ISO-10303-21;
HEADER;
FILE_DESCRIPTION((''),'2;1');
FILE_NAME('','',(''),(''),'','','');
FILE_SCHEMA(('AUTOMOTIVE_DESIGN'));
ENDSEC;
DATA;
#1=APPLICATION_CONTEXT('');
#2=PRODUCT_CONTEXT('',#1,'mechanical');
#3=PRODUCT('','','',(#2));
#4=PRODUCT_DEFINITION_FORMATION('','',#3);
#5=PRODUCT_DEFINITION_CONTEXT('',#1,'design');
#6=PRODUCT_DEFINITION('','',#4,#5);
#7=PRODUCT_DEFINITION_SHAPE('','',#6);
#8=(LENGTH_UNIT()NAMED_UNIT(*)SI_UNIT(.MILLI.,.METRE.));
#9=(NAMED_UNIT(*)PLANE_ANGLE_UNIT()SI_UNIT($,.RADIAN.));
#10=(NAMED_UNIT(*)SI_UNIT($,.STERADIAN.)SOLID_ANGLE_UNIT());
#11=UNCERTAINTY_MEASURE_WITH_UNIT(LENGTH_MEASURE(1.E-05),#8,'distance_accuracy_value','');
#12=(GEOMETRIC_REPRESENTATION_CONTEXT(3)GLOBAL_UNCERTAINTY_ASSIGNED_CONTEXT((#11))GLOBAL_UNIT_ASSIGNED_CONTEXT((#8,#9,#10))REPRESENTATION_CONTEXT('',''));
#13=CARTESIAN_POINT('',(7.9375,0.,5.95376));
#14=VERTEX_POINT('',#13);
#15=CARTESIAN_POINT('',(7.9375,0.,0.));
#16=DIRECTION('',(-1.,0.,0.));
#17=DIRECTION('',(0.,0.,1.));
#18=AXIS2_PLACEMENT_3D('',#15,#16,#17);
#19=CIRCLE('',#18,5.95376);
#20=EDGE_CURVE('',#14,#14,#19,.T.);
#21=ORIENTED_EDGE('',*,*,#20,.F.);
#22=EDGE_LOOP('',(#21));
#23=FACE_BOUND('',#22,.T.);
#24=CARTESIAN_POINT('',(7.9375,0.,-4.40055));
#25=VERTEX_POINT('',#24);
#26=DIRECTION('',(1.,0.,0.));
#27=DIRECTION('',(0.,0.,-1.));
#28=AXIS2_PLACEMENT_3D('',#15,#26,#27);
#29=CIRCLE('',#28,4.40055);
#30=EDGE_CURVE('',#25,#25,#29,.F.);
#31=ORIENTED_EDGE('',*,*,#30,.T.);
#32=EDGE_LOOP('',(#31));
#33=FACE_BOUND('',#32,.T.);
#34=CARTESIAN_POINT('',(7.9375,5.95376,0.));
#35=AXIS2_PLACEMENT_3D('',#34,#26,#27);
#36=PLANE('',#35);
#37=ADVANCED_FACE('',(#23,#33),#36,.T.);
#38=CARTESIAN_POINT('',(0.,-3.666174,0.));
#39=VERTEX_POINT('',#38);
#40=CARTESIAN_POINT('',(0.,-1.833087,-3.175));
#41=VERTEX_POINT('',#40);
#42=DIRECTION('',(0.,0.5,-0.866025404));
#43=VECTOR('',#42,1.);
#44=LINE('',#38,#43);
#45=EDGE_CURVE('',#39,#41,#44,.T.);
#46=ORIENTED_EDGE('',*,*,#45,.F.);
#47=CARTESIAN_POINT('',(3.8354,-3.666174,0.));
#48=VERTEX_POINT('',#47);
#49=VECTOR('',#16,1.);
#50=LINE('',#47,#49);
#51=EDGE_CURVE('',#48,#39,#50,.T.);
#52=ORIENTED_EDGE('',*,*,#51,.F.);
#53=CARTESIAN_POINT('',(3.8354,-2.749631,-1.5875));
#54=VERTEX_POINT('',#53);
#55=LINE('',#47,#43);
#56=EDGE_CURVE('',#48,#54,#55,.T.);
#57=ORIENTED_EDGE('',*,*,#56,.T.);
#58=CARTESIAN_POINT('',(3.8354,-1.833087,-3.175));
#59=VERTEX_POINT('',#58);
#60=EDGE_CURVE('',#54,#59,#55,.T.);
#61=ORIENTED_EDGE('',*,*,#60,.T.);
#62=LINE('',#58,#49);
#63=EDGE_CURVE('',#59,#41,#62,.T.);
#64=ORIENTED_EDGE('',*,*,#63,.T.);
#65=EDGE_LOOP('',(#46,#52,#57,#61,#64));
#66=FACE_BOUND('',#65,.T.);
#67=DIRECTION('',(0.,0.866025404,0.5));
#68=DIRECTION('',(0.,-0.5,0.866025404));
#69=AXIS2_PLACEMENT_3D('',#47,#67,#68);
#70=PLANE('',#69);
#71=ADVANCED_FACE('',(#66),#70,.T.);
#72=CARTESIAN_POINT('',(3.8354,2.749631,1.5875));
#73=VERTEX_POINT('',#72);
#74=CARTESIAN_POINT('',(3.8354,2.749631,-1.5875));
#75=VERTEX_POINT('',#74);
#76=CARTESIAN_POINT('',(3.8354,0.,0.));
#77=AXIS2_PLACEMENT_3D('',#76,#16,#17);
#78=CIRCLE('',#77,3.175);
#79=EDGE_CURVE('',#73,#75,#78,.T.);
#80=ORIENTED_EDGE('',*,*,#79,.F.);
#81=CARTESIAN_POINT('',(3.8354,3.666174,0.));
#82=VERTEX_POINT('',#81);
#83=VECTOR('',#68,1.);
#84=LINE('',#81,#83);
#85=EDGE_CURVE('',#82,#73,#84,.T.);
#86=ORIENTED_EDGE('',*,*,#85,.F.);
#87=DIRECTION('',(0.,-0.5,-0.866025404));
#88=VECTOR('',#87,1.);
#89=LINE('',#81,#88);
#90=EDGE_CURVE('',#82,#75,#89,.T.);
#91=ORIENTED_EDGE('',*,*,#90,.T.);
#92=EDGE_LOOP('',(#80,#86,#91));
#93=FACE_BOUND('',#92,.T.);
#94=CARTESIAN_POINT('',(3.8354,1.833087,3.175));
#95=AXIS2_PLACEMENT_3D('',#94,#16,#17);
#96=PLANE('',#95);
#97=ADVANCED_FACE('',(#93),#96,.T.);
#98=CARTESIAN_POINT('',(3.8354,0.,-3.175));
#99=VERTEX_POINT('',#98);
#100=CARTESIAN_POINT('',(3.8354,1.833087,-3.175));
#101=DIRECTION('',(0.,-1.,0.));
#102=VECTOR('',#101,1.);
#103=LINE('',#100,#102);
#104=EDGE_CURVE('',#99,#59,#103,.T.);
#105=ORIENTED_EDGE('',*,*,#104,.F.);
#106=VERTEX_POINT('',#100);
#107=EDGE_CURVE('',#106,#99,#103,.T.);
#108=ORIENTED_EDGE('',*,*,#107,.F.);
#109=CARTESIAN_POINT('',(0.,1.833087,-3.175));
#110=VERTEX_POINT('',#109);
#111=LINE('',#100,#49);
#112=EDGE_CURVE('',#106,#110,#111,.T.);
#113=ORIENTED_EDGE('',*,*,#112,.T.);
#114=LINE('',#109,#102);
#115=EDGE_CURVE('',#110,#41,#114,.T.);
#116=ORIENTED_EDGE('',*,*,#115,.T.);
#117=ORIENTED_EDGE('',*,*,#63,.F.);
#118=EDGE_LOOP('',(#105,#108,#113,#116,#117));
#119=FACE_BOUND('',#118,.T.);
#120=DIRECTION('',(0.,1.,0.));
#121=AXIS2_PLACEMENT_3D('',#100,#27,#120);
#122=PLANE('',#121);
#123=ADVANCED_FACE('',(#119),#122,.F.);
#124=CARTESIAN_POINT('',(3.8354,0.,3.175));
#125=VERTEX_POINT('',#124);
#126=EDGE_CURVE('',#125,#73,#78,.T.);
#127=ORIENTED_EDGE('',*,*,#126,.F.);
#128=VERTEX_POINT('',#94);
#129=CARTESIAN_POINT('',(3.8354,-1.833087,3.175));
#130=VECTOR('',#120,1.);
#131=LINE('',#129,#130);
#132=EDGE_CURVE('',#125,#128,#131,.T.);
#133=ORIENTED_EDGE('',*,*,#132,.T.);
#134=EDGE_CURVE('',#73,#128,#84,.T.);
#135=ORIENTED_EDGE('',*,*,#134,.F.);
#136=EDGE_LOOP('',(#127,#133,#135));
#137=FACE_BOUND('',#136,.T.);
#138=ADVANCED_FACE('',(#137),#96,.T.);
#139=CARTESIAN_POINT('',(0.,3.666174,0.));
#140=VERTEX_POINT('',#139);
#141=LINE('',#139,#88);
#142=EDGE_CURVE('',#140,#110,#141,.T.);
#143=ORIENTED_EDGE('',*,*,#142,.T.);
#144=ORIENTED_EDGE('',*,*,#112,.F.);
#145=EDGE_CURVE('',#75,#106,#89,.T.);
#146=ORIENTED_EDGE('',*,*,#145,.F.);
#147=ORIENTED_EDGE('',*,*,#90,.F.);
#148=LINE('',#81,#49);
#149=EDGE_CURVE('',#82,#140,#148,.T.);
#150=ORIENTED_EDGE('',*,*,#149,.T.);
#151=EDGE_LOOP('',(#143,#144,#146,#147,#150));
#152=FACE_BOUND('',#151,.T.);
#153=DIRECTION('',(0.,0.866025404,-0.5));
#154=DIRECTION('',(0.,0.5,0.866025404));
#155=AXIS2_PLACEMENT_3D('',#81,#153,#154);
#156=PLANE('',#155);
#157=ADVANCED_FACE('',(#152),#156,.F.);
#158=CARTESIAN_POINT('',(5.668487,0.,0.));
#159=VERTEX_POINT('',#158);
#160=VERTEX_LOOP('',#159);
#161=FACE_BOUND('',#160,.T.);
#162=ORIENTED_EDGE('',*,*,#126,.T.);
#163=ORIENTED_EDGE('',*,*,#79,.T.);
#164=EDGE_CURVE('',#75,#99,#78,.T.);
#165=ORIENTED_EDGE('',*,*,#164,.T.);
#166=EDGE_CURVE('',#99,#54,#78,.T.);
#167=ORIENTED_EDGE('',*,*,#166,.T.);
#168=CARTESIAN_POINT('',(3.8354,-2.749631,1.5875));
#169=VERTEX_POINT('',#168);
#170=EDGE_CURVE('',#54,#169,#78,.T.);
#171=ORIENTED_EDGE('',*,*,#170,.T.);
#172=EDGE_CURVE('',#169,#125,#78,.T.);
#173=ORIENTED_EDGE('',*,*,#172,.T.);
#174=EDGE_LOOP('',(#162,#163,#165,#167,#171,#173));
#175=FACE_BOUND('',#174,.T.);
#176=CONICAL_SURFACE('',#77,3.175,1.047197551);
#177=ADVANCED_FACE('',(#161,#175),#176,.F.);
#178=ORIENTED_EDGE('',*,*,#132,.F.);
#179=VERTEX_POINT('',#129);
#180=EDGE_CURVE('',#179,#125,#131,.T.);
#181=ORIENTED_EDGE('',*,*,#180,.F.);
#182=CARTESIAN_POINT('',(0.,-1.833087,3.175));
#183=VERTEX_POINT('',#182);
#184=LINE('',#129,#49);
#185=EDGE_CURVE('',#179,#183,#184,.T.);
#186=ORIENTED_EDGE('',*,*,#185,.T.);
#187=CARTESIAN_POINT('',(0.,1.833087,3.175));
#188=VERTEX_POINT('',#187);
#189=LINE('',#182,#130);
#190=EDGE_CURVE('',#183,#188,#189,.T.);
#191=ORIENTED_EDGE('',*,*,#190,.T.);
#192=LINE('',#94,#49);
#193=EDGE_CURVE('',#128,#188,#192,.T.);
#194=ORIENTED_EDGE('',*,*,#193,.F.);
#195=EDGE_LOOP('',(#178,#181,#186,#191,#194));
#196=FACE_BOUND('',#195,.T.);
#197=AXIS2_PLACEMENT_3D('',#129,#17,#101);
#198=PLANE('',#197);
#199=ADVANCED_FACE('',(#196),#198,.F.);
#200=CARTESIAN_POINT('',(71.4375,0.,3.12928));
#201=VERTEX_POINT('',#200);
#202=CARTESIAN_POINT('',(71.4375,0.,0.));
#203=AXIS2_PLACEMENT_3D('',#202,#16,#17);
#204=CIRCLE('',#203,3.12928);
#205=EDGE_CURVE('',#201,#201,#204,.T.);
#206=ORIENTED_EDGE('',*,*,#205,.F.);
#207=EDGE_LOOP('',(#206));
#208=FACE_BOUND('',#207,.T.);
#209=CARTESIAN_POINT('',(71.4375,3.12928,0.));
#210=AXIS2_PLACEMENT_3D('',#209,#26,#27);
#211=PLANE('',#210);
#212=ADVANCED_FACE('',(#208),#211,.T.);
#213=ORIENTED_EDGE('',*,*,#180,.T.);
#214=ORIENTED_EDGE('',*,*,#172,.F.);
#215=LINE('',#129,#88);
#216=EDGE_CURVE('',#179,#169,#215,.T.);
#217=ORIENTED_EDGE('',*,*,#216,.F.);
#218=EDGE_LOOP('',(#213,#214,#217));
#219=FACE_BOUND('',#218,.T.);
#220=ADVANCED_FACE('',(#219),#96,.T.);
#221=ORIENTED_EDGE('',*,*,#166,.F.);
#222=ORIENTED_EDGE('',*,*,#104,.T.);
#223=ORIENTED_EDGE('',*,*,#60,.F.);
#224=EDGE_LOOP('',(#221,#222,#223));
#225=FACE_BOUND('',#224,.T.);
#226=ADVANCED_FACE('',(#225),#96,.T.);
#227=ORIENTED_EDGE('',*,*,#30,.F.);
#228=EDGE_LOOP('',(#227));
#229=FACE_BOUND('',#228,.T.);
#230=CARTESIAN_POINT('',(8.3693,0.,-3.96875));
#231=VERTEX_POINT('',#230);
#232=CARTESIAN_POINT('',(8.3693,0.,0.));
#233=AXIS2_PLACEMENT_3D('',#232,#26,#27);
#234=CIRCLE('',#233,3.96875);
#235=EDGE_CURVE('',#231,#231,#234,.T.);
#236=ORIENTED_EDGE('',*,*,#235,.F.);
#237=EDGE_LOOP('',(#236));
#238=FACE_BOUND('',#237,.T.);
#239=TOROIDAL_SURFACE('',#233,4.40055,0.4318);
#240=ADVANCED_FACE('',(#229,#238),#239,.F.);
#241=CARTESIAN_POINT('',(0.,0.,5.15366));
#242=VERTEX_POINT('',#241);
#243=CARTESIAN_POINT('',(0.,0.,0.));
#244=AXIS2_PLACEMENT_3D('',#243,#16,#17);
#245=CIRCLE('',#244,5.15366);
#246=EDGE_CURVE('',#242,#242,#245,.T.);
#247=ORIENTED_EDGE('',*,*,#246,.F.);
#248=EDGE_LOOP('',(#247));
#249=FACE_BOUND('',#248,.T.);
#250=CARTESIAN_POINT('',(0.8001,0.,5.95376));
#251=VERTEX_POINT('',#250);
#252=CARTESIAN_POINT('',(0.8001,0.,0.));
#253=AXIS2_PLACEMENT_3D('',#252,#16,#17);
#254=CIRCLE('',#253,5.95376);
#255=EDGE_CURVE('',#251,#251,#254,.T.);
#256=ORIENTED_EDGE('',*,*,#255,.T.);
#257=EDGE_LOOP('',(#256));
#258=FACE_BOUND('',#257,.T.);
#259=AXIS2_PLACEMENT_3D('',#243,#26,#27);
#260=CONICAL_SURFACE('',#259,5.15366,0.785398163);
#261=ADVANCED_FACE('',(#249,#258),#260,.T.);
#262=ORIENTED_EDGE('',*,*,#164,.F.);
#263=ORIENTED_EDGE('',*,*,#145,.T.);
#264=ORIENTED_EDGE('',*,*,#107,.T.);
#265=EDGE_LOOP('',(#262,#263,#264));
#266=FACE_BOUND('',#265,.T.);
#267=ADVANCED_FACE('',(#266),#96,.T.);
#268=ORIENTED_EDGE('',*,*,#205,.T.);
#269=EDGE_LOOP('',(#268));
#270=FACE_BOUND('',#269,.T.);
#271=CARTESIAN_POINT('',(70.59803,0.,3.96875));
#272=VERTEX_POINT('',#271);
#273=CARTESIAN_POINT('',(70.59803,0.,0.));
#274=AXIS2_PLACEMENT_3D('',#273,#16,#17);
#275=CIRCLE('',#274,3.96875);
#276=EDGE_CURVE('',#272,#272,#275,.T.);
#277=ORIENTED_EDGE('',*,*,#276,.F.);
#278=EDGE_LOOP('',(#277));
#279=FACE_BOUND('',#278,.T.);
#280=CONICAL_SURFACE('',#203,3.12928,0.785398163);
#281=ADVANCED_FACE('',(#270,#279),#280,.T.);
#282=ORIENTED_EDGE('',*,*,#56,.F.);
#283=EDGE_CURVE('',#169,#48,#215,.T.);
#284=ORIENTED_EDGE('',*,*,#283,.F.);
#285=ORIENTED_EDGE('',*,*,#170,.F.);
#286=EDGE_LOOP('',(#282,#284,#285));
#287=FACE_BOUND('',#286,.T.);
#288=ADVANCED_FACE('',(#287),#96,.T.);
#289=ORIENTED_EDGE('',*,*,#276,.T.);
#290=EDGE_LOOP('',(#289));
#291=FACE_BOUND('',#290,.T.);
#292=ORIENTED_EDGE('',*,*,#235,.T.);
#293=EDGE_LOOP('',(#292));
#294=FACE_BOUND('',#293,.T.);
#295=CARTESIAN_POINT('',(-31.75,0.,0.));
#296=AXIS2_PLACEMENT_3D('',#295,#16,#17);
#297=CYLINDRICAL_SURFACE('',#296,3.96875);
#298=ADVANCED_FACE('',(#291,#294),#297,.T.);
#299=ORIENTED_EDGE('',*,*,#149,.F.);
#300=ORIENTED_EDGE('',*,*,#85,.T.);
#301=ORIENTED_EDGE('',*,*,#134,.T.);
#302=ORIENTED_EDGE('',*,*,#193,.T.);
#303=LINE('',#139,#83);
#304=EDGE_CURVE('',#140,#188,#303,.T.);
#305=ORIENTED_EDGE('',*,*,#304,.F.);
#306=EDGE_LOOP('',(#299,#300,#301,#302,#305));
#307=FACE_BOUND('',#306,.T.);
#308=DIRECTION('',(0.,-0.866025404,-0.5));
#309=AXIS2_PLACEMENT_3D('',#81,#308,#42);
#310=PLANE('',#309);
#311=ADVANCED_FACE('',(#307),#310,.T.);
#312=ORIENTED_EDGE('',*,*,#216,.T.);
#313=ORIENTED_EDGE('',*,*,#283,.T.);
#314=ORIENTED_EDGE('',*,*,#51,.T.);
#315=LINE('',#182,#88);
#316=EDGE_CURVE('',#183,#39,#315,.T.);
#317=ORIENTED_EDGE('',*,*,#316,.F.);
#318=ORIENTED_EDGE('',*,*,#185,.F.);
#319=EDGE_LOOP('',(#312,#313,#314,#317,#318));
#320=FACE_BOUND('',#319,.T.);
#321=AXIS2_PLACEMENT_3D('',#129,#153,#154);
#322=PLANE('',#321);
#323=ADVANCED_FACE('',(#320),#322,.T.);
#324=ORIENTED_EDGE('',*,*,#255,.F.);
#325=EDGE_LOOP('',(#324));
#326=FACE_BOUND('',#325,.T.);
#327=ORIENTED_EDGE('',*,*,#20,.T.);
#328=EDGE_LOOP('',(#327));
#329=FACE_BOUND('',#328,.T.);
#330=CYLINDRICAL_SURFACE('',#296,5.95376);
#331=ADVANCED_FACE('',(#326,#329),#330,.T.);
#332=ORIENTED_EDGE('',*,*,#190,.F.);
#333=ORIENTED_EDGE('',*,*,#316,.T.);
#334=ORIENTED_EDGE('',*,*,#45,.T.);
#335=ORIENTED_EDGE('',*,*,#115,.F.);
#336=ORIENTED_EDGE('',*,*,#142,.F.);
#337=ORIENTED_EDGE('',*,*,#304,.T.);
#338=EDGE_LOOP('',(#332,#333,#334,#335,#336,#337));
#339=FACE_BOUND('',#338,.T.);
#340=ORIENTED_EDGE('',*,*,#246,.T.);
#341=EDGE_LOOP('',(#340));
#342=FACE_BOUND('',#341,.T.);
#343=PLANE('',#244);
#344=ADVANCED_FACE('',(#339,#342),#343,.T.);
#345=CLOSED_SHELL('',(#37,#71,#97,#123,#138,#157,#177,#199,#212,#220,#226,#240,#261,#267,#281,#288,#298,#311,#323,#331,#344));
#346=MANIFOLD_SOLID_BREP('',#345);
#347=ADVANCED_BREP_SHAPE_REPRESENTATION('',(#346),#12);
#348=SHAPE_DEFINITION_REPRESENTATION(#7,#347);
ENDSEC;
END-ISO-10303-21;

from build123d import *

# Parameters (mm, degrees)
FILLET1_R   = 0.4318
HEX_2_DEPTH = 3.8354


with BuildPart() as part:
    # BodySke → Base-Revolve (revolve)
    with BuildSketch(Plane.XY, mode=Mode.PRIVATE) as base_revolve_sk:
        Polygon((0, 0), (0, 5.15366), (0.8001, 5.95376), (7.9375, 5.95376), (7.9375, 3.96875), (70.59803, 3.96875), (71.4375, 3.12928), (71.4375, 0), align=None)
    revolve(base_revolve_sk.sketch.rotate(Axis((-31.75, 0, 0), (1, 0, 0)), 90), axis=Axis((-31.75, 0, 0), (1, 0, 0)))

    # Fillet1
    fillet1_edges = [part.edges().sort_by_distance(p)[0] for p in [
        (7.9375, 0, -3.96875),
    ]]
    fillet(fillet1_edges, radius=FILLET1_R)

    # Sketch2 → Hex-PreBroach (revolve, cut)
    with BuildSketch(Plane.XY, mode=Mode.PRIVATE) as hex_prebroach_sk:
        Polygon((0, 3.175), (3.8354, 3.175), (5.668487105, 0), (0, 0), align=None)
    revolve(hex_prebroach_sk.sketch.rotate(Axis((0, 0, 0), (1, 0, 0)), 90), axis=Axis((0, 0, 0), (1, 0, 0)), mode=Mode.SUBTRACT)

    # Sketch3 → Hex 2 (cut)
    with BuildSketch(Plane(origin=(0, 0, 0), x_dir=(0, 0.500000000000001, 0.866025403784438), z_dir=(-1, 0, 0))):
        Polygon((1.833087105, 3.175), (-1.833087105, 3.175), (-3.666174209, 0), (-1.833087105, -3.175), (1.833087105, -3.175), (3.666174209, 0), align=None)
    extrude(amount=-HEX_2_DEPTH, mode=Mode.SUBTRACT)


solid = part.part
